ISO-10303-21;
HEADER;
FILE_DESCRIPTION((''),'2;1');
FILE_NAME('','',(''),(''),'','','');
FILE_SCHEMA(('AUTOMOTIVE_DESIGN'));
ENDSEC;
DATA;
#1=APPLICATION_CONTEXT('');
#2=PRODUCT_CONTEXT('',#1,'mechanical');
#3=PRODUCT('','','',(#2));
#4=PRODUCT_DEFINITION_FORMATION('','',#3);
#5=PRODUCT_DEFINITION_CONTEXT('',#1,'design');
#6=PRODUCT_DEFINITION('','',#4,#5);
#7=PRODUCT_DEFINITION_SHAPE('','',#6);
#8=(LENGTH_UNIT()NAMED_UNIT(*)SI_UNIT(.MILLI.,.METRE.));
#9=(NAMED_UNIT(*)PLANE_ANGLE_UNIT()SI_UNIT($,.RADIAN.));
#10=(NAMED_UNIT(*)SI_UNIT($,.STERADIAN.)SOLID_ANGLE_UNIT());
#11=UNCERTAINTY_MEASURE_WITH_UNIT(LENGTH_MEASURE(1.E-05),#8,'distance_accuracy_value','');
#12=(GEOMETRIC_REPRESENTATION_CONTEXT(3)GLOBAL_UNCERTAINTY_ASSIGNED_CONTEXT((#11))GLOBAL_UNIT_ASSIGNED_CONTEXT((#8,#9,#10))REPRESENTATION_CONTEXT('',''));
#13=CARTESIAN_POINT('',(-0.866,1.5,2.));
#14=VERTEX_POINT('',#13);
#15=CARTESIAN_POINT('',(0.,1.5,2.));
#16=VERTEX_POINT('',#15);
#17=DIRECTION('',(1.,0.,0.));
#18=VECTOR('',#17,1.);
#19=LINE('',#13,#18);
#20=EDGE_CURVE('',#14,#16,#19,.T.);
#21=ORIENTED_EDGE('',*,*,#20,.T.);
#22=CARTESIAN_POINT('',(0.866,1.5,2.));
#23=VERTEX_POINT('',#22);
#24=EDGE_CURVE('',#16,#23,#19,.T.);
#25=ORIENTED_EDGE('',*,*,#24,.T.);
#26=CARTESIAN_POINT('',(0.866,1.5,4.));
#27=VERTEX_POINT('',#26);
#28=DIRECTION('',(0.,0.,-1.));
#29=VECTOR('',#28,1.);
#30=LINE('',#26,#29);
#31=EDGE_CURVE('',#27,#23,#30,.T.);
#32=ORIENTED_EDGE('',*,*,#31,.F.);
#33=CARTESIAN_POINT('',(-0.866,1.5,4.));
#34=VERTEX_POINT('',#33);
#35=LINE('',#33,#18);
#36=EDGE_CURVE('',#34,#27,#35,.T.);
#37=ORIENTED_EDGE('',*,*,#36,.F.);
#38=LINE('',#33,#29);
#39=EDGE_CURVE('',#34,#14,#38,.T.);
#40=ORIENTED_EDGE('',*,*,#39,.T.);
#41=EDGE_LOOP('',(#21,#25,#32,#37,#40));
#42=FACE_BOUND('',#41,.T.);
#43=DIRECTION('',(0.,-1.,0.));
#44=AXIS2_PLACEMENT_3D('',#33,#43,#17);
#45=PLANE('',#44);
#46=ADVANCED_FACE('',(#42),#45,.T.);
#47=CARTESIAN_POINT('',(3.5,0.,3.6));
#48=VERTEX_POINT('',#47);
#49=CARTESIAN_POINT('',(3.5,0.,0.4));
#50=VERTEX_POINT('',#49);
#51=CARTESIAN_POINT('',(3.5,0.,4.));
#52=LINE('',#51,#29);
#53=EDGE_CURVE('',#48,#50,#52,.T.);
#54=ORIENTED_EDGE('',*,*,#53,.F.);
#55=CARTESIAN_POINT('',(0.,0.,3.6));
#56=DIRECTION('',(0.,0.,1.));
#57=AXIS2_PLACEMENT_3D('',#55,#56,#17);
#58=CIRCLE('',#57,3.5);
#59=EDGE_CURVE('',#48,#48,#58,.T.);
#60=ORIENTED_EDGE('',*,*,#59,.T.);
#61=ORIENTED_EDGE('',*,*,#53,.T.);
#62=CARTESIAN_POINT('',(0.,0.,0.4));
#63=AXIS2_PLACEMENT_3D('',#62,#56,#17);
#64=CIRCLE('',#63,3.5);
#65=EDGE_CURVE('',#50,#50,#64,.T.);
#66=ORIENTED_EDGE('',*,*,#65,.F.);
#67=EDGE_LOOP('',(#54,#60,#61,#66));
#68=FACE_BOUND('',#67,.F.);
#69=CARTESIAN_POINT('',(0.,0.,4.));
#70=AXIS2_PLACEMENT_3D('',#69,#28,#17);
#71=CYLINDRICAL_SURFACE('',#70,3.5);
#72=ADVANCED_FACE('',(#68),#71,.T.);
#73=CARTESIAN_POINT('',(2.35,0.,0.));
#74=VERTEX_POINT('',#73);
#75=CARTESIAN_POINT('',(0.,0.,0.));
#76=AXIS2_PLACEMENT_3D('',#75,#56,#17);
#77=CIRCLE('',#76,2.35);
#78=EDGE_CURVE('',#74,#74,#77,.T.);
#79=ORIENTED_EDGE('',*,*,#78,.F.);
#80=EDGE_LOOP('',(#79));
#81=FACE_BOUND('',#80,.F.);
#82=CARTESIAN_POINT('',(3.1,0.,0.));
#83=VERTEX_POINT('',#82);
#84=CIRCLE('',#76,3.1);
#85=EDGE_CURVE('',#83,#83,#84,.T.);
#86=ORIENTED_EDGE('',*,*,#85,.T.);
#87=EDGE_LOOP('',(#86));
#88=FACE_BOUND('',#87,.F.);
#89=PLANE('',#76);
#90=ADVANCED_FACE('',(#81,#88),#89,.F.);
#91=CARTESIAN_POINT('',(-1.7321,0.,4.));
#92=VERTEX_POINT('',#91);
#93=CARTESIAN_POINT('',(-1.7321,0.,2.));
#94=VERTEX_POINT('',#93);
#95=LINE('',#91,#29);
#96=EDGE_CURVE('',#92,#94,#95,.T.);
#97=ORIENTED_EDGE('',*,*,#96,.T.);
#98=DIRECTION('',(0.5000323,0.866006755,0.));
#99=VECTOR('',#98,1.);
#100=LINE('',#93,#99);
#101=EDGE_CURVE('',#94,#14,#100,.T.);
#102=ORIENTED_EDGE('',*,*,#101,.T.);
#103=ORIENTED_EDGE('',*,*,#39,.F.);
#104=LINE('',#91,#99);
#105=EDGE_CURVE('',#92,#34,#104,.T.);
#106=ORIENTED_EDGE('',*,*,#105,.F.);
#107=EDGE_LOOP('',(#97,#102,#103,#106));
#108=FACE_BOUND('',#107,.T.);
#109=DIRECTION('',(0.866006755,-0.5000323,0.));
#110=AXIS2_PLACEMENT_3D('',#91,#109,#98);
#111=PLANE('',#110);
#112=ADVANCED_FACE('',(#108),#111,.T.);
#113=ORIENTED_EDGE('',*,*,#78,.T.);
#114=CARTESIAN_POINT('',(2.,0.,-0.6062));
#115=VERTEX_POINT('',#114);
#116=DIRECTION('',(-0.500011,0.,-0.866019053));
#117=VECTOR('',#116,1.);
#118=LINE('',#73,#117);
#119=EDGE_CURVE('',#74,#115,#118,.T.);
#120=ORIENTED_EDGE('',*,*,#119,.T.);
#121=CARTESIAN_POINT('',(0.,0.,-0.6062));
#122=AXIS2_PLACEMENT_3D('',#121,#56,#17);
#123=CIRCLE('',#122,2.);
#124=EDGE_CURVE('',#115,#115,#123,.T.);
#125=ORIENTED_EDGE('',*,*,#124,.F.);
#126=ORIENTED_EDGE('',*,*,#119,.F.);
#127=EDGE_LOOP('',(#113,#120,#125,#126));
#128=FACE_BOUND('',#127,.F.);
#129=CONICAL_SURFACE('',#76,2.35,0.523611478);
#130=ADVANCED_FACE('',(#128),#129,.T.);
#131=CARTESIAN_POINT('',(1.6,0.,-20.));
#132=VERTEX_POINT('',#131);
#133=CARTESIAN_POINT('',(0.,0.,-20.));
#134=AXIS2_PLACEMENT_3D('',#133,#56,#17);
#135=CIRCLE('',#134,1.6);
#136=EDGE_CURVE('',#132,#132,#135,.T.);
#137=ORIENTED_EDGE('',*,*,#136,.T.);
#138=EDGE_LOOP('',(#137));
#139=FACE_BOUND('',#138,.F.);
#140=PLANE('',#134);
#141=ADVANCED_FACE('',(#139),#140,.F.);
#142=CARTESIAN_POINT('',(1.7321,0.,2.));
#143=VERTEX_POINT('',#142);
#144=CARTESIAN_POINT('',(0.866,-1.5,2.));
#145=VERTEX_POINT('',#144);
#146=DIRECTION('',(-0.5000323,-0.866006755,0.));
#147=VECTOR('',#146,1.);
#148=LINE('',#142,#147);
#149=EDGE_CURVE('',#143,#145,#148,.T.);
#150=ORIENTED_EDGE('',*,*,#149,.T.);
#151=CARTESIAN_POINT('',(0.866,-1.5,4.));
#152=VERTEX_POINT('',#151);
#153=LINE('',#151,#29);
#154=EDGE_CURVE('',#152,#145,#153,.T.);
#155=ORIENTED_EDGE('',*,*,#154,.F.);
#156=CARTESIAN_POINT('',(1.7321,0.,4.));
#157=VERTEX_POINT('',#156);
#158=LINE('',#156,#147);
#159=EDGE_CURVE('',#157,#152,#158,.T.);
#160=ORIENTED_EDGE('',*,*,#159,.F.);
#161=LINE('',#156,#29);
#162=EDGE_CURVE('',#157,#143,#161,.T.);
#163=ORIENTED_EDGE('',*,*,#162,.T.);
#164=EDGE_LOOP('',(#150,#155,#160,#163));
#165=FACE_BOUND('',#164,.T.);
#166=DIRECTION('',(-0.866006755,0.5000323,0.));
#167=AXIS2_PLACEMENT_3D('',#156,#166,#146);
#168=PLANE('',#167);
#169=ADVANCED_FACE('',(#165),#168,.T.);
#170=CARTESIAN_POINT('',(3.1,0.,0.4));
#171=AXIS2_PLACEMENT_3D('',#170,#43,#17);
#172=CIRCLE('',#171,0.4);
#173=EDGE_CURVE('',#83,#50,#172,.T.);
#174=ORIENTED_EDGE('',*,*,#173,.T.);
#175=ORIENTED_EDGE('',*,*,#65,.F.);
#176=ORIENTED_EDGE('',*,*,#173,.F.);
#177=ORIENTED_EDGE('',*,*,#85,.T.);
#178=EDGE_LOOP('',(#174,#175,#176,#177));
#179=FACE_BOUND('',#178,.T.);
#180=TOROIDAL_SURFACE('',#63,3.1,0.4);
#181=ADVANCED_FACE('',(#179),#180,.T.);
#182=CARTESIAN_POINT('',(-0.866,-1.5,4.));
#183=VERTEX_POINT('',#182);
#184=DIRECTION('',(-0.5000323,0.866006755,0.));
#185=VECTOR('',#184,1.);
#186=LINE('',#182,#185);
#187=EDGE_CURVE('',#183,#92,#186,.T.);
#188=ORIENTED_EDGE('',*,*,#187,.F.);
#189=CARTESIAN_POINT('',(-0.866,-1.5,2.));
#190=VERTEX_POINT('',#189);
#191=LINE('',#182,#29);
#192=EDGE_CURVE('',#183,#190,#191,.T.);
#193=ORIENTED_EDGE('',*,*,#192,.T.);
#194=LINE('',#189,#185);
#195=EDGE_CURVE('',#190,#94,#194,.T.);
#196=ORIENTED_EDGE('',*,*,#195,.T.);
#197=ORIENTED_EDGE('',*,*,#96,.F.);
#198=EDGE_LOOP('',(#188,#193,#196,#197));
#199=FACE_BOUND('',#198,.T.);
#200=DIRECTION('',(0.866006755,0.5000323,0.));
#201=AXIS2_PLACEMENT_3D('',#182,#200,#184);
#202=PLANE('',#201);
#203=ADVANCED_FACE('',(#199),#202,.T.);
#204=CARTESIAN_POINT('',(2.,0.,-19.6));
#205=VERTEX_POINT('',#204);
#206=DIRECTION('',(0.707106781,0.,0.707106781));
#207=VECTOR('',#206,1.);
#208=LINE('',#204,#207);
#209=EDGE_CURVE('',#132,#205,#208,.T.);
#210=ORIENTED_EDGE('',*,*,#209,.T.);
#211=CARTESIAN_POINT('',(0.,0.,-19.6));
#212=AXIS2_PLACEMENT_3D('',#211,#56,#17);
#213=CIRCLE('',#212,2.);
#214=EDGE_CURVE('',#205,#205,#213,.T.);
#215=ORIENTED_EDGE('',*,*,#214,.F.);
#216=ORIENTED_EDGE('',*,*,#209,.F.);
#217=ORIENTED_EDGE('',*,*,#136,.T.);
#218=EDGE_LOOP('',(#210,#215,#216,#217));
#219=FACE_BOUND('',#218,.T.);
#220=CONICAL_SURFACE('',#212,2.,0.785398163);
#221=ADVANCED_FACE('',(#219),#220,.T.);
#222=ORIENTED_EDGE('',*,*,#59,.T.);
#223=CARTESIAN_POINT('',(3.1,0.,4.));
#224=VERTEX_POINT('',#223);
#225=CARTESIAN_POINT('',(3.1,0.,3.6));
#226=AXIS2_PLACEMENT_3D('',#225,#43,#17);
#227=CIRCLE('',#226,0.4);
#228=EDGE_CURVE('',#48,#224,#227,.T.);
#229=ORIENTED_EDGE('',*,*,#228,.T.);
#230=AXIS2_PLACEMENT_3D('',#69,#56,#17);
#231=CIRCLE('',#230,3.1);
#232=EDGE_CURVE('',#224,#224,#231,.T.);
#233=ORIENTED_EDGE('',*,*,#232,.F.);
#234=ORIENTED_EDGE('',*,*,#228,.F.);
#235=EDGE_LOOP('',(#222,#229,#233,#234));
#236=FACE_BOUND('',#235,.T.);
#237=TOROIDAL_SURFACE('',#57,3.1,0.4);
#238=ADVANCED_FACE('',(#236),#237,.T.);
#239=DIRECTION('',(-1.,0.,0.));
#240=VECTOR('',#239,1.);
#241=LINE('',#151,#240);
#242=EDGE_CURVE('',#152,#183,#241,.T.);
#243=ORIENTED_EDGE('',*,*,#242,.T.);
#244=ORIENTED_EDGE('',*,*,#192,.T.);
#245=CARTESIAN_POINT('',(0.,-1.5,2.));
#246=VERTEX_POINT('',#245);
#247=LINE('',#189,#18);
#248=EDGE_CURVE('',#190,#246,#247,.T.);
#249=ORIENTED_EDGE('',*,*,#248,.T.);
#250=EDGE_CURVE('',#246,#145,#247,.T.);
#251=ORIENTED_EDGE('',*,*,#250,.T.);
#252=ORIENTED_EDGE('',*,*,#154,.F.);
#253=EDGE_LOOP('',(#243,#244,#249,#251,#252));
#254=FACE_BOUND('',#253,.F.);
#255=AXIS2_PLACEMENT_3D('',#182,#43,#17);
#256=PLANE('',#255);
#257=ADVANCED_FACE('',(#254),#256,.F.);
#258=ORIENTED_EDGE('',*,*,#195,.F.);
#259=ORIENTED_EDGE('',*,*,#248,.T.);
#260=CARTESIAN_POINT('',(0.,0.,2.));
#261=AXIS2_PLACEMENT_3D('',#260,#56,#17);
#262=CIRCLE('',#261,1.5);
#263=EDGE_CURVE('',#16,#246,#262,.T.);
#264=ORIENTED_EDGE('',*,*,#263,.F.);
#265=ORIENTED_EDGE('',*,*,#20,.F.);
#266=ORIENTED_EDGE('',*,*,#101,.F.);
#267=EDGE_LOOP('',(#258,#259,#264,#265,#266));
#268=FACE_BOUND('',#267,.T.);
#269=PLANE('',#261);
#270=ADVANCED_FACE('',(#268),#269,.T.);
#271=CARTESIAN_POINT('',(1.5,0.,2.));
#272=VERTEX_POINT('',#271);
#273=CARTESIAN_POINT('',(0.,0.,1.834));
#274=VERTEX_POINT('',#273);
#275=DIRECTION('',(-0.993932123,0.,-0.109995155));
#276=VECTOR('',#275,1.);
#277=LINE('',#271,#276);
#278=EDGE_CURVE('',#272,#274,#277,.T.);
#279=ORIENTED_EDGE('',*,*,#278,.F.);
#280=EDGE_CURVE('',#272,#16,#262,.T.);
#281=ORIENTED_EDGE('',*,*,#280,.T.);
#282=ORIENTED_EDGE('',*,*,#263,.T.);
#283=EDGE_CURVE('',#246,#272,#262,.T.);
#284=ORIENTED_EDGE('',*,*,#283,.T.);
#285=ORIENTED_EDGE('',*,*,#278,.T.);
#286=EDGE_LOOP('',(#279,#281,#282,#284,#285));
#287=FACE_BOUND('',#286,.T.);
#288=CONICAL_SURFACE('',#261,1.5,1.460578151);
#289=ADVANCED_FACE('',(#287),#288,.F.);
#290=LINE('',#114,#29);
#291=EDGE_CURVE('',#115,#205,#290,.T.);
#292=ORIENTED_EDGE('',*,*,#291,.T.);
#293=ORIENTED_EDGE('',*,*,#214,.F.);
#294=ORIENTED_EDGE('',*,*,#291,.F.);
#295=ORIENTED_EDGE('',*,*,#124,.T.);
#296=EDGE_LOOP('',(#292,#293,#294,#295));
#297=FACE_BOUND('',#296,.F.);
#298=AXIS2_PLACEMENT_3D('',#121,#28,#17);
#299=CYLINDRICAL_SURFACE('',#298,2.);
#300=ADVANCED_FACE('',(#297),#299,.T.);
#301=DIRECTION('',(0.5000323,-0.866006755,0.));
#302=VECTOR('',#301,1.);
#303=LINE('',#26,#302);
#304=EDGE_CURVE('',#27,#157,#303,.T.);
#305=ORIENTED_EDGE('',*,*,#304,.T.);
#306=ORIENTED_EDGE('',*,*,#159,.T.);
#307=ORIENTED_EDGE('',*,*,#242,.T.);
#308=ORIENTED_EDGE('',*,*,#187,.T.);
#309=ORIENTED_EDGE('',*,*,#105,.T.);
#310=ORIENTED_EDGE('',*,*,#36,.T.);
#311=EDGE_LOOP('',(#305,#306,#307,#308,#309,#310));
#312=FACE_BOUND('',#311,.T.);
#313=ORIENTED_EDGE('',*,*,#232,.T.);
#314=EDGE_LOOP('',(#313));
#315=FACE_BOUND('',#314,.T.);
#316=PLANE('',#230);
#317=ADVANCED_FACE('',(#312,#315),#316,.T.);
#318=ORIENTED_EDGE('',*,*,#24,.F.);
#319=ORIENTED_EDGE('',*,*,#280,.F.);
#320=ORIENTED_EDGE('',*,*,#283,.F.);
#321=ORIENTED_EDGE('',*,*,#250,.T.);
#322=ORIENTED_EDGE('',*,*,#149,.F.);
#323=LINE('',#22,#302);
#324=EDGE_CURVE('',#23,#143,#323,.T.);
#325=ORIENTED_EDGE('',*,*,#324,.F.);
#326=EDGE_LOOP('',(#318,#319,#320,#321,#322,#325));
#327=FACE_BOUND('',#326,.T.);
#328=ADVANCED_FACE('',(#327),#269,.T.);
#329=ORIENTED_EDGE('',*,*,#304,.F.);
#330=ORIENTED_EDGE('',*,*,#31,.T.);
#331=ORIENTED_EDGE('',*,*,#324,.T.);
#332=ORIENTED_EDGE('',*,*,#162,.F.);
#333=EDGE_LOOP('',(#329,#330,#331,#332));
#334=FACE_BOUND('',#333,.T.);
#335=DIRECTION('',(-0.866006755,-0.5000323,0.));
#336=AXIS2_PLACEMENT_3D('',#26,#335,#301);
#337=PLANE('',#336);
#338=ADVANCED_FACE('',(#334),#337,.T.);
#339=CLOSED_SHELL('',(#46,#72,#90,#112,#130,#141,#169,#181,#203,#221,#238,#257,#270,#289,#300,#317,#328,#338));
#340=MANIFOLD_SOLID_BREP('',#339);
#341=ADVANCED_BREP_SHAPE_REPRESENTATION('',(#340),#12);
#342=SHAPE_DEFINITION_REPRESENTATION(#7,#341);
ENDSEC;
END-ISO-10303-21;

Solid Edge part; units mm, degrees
sketch "Sketch1" plane through (0, 0, 0) normal (0, -1, 0) x (1, 0, 0)
  line L0 (3.5, 4) -> (3.5, 0)
  line L1 (3.5, 0) -> (2.35, 0)
  line L2 (2.35, 0) -> (2, -0.6062)
  line L3 (2, -0.6062) -> (2, -20)
  line L4 (2, -20) -> (0, -20)
  line L5 (1.5, 2) -> (0, 1.834)
  line L6 (1.5, 4) -> (1.5, 2)
  line L7 (3.5, 4) -> (1.5, 4)
  dimension "D1" = 2
  dimension "D2" = 20
  dimension "D3" = 4
revolve "RevolvedProtrusion1" add sketch "Sketch1" angle 360 about axis through (0, 0, -6) along (0, 0, 1)
cosmetic_thread "Thread1" size "M4"
chamfer "Chamfer_1" distance 0.4 angle 45 1 edges at (-2, 0, -20)
fillet "Round_1" radius 0.4 2 edges at (-3.5, 0, 0) (-3.5, 0, 4)
sketch "Sketch2" plane through (0, 0, 4) normal (0, 0, 1) x (0, 1, 0)
  line L0 (-1.5, 0.866) -> (-1.5, -0.866)
  line L1 (0, -1.7321) -> (-1.5, -0.866)
  line L2 (1.5, -0.866) -> (0, -1.7321)
  line L3 (1.5, 0.866) -> (1.5, -0.866)
  line L4 (0, 1.7321) -> (1.5, 0.866)
  line L5 (-1.5, 0.866) -> (0, 1.7321)
extrude "Cutout1" cut sketch "Sketch2" against normal up to vertex (2 mm away)
properties material "Galvanized steel"
